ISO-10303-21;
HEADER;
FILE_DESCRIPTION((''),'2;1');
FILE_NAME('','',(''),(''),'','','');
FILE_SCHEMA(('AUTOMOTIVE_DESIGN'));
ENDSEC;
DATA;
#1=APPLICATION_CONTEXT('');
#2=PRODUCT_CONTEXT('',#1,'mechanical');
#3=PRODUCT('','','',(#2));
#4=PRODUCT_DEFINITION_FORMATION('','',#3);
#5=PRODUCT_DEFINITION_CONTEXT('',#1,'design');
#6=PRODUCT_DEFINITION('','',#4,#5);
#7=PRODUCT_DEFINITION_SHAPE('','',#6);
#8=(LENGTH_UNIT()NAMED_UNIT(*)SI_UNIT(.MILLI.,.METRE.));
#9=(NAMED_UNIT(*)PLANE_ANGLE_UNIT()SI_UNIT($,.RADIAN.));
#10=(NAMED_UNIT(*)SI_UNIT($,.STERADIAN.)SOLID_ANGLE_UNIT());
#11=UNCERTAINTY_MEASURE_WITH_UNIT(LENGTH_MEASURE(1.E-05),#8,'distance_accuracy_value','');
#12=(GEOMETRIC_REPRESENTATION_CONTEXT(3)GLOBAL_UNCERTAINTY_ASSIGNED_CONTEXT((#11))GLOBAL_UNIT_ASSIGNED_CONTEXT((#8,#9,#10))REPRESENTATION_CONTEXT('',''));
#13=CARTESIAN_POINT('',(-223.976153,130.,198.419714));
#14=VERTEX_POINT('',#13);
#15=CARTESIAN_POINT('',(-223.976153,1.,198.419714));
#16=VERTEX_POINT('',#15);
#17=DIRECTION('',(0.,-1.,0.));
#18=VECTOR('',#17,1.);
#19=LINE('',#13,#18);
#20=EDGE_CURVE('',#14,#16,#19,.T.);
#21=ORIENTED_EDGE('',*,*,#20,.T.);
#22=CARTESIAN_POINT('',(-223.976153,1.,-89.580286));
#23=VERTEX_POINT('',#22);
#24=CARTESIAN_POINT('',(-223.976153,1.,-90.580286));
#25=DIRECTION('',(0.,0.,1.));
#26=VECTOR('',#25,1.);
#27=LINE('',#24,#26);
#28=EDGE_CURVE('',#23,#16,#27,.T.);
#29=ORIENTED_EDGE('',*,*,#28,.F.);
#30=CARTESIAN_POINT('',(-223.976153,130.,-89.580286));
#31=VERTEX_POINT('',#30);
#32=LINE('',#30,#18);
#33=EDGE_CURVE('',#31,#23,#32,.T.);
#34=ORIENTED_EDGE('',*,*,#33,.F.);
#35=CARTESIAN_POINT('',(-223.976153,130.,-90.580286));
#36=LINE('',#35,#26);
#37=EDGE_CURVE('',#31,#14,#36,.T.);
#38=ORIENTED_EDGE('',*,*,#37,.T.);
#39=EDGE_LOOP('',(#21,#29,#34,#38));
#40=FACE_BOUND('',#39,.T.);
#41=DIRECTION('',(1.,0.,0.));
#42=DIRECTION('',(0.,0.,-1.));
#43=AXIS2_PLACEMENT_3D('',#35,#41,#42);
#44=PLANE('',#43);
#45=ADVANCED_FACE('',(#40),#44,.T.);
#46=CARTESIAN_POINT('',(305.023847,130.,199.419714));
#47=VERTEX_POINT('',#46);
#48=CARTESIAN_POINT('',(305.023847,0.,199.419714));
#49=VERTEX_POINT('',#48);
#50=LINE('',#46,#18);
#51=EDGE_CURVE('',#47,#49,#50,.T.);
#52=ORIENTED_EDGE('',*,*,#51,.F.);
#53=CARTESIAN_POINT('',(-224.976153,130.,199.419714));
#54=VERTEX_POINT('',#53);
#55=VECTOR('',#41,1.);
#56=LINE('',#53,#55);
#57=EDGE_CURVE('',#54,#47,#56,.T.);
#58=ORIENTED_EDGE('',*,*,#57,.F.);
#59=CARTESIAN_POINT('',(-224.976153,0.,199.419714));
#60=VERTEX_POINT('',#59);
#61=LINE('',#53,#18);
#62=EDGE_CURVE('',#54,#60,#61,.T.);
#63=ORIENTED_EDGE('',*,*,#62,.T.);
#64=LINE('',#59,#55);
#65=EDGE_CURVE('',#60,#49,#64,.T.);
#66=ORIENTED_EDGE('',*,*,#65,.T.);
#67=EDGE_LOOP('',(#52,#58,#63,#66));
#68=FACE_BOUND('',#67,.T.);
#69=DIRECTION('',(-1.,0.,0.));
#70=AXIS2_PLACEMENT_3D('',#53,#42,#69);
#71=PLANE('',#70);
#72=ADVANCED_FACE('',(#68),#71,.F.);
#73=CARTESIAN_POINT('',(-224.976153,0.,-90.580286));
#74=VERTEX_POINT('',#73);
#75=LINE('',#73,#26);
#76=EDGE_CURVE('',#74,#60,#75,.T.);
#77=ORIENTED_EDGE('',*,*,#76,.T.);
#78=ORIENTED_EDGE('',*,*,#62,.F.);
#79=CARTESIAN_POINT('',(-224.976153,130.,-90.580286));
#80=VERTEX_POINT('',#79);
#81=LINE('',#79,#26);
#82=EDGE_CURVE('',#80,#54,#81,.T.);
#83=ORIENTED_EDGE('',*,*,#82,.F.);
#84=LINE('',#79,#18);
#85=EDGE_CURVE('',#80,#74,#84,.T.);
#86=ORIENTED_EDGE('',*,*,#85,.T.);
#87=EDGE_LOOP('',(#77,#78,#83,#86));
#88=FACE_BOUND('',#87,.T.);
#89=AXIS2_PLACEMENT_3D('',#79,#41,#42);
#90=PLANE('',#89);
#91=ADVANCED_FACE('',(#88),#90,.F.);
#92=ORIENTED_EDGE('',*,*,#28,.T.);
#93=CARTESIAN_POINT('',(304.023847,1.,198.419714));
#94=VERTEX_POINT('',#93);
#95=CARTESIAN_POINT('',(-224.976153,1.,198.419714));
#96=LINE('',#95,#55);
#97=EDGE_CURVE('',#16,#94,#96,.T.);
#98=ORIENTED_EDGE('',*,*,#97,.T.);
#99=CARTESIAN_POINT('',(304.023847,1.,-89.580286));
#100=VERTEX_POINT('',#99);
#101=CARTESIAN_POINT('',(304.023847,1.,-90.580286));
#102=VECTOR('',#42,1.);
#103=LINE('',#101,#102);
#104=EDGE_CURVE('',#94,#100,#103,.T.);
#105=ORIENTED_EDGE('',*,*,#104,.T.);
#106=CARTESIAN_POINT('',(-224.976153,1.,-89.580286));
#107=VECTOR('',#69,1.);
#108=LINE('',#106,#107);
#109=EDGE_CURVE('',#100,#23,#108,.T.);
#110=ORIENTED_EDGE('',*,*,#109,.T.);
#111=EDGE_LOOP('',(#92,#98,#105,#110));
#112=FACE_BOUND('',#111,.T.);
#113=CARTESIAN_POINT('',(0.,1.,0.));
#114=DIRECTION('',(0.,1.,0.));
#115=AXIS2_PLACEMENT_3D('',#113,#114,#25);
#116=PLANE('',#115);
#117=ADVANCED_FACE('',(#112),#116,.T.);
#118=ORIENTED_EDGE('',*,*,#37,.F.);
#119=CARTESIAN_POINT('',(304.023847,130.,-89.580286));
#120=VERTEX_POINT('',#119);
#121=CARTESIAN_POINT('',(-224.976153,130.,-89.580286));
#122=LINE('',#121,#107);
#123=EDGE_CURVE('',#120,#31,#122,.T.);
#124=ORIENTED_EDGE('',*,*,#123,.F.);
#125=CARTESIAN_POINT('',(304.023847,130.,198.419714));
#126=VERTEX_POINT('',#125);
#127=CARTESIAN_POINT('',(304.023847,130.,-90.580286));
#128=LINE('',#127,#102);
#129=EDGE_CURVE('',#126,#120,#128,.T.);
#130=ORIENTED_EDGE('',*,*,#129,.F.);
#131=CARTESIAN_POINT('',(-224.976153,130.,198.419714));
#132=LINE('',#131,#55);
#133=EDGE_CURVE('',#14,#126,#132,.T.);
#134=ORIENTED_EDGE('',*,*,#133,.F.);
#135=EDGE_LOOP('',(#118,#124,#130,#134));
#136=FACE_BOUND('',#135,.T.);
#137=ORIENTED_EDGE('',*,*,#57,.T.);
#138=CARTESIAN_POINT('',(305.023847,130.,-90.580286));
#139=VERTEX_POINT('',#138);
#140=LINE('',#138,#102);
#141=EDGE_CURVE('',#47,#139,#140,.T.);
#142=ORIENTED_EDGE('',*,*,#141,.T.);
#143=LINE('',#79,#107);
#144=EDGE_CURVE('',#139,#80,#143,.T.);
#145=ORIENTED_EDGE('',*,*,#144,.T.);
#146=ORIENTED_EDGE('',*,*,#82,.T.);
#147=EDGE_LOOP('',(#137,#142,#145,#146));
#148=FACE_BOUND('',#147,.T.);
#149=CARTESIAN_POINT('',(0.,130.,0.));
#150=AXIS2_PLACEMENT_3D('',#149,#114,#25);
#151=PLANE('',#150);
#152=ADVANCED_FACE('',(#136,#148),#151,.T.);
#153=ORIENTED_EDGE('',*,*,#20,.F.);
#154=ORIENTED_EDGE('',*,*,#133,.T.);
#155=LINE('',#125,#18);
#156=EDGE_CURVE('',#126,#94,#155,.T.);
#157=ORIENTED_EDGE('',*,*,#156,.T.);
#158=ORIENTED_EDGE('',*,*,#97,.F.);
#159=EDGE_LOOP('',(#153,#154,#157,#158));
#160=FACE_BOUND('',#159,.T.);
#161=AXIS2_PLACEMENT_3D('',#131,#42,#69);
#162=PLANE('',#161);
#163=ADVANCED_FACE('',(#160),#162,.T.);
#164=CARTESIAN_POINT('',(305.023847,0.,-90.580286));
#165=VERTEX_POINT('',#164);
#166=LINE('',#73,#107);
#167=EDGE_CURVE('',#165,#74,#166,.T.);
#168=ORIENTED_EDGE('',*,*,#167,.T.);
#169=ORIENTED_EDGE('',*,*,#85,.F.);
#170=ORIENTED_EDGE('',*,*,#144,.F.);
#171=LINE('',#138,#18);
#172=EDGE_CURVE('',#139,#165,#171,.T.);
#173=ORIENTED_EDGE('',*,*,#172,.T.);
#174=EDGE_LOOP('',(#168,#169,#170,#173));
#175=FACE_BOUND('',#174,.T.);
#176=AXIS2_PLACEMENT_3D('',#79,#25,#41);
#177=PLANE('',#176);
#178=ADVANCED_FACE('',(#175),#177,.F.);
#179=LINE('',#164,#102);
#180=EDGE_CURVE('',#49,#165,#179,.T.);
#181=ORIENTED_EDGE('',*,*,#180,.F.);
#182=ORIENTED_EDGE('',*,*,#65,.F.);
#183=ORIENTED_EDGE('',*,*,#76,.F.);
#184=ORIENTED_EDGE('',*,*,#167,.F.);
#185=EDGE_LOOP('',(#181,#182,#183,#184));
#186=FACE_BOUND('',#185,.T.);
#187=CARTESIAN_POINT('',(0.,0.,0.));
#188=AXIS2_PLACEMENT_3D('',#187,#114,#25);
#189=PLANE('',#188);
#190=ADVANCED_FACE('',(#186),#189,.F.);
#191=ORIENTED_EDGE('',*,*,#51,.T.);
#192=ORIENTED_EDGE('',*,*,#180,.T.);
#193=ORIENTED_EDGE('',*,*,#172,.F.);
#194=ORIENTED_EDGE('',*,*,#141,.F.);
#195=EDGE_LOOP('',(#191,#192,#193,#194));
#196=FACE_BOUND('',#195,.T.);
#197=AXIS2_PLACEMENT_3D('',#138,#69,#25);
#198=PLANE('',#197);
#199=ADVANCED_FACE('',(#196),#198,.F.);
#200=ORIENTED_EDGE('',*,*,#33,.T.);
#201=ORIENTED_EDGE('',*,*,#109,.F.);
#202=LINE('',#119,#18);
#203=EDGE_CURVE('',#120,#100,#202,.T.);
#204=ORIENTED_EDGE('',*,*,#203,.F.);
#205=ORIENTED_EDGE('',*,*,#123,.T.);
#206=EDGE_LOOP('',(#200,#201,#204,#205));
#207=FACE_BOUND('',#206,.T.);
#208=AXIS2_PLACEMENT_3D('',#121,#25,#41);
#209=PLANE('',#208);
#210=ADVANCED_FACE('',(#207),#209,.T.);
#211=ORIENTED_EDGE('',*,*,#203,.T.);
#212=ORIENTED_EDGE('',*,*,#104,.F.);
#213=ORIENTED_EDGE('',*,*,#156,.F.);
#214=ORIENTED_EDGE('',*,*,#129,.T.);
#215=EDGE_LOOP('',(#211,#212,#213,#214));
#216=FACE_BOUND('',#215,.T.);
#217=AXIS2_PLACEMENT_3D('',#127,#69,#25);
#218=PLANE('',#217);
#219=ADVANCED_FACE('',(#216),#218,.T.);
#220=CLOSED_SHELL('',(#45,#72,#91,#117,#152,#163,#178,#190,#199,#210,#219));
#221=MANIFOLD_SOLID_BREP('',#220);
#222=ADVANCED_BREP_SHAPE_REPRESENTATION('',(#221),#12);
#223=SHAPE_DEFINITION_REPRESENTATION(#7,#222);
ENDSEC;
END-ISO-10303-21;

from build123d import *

# Parameters (mm, degrees)
SKETCH1_W           = 530
SKETCH1_H           = 290
BOSS_EXTRUDE1_DEPTH = 130
SHELL2_T            = -1


with BuildPart() as part:
    # Sketch1 → Boss-Extrude1 (new body)
    with BuildSketch(Plane(origin=(0, 0, 0), x_dir=(1, 0, 0), z_dir=(0, 1, 0))):
        with Locations((40.023847377, -54.419713831)):
            Rectangle(SKETCH1_W, SKETCH1_H)
    extrude(amount=BOSS_EXTRUDE1_DEPTH)

    # Shell2
    shell2_openings = [part.faces().sort_by_distance(p)[0] for p in [
        (40.023847377, 130, 54.419713831),
    ]]
    offset(amount=SHELL2_T, openings=shell2_openings, kind=Kind.INTERSECTION)


solid = part.part
